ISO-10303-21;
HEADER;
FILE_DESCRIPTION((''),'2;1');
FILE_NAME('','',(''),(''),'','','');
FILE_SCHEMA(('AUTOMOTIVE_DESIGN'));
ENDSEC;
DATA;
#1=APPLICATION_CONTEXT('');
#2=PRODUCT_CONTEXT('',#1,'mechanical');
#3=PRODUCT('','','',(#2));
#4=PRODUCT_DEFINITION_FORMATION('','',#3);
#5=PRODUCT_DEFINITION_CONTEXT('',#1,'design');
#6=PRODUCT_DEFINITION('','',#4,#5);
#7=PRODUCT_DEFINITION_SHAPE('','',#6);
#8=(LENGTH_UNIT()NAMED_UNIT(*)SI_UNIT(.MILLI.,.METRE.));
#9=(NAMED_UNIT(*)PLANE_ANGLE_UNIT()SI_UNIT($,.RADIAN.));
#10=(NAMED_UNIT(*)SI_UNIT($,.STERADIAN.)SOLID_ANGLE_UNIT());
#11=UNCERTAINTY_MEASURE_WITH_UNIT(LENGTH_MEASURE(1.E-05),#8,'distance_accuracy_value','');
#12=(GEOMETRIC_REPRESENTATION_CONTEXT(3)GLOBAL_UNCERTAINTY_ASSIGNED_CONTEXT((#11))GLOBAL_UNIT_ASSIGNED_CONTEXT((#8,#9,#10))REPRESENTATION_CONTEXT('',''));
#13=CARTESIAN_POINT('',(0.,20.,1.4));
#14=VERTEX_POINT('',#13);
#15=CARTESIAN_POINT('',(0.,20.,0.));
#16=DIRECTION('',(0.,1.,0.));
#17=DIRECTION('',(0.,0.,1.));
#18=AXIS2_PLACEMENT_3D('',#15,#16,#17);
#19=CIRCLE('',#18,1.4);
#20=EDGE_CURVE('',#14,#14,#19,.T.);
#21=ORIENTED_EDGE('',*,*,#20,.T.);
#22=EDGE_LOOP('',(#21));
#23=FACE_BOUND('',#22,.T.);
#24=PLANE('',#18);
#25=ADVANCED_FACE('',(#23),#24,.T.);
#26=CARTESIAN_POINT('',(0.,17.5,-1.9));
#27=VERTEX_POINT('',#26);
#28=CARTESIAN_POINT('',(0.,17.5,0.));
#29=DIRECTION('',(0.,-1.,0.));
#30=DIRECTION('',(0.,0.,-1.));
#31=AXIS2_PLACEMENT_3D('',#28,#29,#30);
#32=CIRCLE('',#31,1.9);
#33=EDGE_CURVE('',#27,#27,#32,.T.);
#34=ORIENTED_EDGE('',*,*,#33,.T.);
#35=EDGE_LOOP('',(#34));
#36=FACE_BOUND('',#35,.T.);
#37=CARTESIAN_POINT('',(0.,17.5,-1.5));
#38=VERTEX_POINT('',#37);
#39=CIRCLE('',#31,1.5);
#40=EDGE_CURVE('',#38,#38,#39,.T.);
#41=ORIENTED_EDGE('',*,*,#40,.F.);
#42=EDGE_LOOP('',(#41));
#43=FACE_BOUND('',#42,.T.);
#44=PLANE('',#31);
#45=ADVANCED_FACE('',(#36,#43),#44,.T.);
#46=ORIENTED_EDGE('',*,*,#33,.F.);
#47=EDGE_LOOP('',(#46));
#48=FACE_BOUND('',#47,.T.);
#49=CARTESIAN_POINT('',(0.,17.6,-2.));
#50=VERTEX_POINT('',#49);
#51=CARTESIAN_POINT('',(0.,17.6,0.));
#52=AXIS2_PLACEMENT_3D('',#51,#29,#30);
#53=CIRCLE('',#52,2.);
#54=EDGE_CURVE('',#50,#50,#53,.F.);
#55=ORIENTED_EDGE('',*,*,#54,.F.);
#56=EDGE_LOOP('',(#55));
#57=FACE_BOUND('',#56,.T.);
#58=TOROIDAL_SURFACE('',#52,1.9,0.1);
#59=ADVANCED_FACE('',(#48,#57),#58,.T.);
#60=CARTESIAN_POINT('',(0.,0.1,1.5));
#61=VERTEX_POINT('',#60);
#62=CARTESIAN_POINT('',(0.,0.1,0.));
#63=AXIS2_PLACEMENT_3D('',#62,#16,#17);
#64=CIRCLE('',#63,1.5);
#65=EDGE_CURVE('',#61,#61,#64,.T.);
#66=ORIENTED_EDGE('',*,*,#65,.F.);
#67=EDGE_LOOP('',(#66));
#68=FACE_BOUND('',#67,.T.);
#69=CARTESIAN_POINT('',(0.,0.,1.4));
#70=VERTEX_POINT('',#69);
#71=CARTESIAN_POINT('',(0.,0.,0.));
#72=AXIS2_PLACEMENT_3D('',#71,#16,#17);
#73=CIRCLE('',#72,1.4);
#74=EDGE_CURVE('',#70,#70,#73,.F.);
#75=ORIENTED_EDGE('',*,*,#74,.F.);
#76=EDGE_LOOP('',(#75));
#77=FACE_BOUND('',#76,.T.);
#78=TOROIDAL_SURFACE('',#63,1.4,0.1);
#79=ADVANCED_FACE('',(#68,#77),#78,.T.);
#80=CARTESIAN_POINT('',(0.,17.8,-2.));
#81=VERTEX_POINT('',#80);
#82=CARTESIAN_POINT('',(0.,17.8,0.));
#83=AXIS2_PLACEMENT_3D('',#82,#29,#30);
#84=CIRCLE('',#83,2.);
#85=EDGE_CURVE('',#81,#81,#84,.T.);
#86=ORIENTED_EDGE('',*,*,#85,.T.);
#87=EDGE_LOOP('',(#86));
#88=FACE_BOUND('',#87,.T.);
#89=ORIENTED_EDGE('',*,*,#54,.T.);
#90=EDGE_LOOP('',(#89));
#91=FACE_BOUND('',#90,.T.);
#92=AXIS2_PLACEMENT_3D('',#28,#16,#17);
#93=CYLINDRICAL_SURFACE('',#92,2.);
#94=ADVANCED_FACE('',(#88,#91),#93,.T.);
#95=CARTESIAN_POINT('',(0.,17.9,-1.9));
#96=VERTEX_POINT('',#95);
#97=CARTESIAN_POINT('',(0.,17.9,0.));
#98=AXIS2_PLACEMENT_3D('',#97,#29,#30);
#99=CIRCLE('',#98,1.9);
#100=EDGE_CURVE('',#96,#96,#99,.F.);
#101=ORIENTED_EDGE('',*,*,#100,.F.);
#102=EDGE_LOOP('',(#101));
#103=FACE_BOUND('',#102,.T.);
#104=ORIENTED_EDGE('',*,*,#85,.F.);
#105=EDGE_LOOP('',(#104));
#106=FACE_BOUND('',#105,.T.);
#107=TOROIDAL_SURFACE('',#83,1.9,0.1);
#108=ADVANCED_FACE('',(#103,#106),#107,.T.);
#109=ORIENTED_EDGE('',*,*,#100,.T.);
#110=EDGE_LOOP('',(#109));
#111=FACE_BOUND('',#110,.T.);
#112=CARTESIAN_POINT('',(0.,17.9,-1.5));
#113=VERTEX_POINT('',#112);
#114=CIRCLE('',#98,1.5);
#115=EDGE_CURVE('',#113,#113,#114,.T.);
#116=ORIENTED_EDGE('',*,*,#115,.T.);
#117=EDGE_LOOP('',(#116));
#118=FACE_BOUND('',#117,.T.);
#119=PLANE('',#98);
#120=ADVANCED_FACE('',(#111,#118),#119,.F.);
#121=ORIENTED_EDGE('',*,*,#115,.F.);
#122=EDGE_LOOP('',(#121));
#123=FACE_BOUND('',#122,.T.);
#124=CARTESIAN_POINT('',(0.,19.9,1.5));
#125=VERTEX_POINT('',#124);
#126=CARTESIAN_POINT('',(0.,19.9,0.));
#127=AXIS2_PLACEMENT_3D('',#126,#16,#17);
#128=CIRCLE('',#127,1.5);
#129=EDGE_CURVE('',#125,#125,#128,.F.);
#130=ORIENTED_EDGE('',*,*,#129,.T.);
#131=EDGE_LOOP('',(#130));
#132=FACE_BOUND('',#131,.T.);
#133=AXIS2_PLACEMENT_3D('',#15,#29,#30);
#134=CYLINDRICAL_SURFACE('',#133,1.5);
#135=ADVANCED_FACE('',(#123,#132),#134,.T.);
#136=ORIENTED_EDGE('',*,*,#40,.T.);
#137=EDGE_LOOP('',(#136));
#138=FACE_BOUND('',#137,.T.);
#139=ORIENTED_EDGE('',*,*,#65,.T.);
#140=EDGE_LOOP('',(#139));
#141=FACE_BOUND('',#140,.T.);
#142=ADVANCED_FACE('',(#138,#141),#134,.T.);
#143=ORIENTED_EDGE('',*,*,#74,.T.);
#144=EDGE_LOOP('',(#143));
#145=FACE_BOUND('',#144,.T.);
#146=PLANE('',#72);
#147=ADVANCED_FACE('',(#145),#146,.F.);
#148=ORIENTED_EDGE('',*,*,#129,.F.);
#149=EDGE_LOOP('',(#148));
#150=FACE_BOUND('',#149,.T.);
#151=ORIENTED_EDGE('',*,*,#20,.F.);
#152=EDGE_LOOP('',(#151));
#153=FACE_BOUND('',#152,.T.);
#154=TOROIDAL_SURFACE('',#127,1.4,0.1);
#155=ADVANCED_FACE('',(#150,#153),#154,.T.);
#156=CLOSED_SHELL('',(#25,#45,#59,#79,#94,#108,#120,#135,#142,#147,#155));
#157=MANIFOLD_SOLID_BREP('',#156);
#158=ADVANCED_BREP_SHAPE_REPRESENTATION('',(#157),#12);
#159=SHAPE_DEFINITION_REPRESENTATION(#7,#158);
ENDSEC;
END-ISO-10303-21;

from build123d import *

# Parameters (mm, degrees)
SKETCH_1_R      = 1.5
EXTRUDE_1_DEPTH = 20
EXTRUDE_START   = 2.5
SKETCH_2_R      = 2
SKETCH_2_R_2    = 1.5
EXTRUDE_2_DEPTH = 0.4
FILLET_1_R      = 0.1


with BuildPart() as part:
    # 草图1 → 凸台-拉伸1 (new body)
    with BuildSketch(Plane(origin=(0, 0, 0), x_dir=(1, 0, 0), z_dir=(0, 1, 0))):
        with Locations(Location((0, 0, 0), (0, 0, 270))):
            Circle(SKETCH_1_R)
    extrude(amount=EXTRUDE_1_DEPTH)

    # 草图2 → 凸台-拉伸2 (add)
    with BuildSketch(Plane.XZ.offset(-20).offset(EXTRUDE_START)):
        with Locations(Location((0, 0, 0), (0, 0, 270))):
            Circle(SKETCH_2_R)
        with Locations(Location((0, 0, 0), (0, 0, 270))):
            Circle(SKETCH_2_R_2, mode=Mode.SUBTRACT)
    extrude(amount=-EXTRUDE_2_DEPTH)

    # 圆角1
    fillet_1_edges = [part.edges().sort_by_distance(p)[0] for p in [
        (0, 0, -1.5),
        (0, 20, -1.5),
        (0, 17.5, 2),
        (0, 17.9, 2),
    ]]
    fillet(fillet_1_edges, radius=FILLET_1_R)


solid = part.part
